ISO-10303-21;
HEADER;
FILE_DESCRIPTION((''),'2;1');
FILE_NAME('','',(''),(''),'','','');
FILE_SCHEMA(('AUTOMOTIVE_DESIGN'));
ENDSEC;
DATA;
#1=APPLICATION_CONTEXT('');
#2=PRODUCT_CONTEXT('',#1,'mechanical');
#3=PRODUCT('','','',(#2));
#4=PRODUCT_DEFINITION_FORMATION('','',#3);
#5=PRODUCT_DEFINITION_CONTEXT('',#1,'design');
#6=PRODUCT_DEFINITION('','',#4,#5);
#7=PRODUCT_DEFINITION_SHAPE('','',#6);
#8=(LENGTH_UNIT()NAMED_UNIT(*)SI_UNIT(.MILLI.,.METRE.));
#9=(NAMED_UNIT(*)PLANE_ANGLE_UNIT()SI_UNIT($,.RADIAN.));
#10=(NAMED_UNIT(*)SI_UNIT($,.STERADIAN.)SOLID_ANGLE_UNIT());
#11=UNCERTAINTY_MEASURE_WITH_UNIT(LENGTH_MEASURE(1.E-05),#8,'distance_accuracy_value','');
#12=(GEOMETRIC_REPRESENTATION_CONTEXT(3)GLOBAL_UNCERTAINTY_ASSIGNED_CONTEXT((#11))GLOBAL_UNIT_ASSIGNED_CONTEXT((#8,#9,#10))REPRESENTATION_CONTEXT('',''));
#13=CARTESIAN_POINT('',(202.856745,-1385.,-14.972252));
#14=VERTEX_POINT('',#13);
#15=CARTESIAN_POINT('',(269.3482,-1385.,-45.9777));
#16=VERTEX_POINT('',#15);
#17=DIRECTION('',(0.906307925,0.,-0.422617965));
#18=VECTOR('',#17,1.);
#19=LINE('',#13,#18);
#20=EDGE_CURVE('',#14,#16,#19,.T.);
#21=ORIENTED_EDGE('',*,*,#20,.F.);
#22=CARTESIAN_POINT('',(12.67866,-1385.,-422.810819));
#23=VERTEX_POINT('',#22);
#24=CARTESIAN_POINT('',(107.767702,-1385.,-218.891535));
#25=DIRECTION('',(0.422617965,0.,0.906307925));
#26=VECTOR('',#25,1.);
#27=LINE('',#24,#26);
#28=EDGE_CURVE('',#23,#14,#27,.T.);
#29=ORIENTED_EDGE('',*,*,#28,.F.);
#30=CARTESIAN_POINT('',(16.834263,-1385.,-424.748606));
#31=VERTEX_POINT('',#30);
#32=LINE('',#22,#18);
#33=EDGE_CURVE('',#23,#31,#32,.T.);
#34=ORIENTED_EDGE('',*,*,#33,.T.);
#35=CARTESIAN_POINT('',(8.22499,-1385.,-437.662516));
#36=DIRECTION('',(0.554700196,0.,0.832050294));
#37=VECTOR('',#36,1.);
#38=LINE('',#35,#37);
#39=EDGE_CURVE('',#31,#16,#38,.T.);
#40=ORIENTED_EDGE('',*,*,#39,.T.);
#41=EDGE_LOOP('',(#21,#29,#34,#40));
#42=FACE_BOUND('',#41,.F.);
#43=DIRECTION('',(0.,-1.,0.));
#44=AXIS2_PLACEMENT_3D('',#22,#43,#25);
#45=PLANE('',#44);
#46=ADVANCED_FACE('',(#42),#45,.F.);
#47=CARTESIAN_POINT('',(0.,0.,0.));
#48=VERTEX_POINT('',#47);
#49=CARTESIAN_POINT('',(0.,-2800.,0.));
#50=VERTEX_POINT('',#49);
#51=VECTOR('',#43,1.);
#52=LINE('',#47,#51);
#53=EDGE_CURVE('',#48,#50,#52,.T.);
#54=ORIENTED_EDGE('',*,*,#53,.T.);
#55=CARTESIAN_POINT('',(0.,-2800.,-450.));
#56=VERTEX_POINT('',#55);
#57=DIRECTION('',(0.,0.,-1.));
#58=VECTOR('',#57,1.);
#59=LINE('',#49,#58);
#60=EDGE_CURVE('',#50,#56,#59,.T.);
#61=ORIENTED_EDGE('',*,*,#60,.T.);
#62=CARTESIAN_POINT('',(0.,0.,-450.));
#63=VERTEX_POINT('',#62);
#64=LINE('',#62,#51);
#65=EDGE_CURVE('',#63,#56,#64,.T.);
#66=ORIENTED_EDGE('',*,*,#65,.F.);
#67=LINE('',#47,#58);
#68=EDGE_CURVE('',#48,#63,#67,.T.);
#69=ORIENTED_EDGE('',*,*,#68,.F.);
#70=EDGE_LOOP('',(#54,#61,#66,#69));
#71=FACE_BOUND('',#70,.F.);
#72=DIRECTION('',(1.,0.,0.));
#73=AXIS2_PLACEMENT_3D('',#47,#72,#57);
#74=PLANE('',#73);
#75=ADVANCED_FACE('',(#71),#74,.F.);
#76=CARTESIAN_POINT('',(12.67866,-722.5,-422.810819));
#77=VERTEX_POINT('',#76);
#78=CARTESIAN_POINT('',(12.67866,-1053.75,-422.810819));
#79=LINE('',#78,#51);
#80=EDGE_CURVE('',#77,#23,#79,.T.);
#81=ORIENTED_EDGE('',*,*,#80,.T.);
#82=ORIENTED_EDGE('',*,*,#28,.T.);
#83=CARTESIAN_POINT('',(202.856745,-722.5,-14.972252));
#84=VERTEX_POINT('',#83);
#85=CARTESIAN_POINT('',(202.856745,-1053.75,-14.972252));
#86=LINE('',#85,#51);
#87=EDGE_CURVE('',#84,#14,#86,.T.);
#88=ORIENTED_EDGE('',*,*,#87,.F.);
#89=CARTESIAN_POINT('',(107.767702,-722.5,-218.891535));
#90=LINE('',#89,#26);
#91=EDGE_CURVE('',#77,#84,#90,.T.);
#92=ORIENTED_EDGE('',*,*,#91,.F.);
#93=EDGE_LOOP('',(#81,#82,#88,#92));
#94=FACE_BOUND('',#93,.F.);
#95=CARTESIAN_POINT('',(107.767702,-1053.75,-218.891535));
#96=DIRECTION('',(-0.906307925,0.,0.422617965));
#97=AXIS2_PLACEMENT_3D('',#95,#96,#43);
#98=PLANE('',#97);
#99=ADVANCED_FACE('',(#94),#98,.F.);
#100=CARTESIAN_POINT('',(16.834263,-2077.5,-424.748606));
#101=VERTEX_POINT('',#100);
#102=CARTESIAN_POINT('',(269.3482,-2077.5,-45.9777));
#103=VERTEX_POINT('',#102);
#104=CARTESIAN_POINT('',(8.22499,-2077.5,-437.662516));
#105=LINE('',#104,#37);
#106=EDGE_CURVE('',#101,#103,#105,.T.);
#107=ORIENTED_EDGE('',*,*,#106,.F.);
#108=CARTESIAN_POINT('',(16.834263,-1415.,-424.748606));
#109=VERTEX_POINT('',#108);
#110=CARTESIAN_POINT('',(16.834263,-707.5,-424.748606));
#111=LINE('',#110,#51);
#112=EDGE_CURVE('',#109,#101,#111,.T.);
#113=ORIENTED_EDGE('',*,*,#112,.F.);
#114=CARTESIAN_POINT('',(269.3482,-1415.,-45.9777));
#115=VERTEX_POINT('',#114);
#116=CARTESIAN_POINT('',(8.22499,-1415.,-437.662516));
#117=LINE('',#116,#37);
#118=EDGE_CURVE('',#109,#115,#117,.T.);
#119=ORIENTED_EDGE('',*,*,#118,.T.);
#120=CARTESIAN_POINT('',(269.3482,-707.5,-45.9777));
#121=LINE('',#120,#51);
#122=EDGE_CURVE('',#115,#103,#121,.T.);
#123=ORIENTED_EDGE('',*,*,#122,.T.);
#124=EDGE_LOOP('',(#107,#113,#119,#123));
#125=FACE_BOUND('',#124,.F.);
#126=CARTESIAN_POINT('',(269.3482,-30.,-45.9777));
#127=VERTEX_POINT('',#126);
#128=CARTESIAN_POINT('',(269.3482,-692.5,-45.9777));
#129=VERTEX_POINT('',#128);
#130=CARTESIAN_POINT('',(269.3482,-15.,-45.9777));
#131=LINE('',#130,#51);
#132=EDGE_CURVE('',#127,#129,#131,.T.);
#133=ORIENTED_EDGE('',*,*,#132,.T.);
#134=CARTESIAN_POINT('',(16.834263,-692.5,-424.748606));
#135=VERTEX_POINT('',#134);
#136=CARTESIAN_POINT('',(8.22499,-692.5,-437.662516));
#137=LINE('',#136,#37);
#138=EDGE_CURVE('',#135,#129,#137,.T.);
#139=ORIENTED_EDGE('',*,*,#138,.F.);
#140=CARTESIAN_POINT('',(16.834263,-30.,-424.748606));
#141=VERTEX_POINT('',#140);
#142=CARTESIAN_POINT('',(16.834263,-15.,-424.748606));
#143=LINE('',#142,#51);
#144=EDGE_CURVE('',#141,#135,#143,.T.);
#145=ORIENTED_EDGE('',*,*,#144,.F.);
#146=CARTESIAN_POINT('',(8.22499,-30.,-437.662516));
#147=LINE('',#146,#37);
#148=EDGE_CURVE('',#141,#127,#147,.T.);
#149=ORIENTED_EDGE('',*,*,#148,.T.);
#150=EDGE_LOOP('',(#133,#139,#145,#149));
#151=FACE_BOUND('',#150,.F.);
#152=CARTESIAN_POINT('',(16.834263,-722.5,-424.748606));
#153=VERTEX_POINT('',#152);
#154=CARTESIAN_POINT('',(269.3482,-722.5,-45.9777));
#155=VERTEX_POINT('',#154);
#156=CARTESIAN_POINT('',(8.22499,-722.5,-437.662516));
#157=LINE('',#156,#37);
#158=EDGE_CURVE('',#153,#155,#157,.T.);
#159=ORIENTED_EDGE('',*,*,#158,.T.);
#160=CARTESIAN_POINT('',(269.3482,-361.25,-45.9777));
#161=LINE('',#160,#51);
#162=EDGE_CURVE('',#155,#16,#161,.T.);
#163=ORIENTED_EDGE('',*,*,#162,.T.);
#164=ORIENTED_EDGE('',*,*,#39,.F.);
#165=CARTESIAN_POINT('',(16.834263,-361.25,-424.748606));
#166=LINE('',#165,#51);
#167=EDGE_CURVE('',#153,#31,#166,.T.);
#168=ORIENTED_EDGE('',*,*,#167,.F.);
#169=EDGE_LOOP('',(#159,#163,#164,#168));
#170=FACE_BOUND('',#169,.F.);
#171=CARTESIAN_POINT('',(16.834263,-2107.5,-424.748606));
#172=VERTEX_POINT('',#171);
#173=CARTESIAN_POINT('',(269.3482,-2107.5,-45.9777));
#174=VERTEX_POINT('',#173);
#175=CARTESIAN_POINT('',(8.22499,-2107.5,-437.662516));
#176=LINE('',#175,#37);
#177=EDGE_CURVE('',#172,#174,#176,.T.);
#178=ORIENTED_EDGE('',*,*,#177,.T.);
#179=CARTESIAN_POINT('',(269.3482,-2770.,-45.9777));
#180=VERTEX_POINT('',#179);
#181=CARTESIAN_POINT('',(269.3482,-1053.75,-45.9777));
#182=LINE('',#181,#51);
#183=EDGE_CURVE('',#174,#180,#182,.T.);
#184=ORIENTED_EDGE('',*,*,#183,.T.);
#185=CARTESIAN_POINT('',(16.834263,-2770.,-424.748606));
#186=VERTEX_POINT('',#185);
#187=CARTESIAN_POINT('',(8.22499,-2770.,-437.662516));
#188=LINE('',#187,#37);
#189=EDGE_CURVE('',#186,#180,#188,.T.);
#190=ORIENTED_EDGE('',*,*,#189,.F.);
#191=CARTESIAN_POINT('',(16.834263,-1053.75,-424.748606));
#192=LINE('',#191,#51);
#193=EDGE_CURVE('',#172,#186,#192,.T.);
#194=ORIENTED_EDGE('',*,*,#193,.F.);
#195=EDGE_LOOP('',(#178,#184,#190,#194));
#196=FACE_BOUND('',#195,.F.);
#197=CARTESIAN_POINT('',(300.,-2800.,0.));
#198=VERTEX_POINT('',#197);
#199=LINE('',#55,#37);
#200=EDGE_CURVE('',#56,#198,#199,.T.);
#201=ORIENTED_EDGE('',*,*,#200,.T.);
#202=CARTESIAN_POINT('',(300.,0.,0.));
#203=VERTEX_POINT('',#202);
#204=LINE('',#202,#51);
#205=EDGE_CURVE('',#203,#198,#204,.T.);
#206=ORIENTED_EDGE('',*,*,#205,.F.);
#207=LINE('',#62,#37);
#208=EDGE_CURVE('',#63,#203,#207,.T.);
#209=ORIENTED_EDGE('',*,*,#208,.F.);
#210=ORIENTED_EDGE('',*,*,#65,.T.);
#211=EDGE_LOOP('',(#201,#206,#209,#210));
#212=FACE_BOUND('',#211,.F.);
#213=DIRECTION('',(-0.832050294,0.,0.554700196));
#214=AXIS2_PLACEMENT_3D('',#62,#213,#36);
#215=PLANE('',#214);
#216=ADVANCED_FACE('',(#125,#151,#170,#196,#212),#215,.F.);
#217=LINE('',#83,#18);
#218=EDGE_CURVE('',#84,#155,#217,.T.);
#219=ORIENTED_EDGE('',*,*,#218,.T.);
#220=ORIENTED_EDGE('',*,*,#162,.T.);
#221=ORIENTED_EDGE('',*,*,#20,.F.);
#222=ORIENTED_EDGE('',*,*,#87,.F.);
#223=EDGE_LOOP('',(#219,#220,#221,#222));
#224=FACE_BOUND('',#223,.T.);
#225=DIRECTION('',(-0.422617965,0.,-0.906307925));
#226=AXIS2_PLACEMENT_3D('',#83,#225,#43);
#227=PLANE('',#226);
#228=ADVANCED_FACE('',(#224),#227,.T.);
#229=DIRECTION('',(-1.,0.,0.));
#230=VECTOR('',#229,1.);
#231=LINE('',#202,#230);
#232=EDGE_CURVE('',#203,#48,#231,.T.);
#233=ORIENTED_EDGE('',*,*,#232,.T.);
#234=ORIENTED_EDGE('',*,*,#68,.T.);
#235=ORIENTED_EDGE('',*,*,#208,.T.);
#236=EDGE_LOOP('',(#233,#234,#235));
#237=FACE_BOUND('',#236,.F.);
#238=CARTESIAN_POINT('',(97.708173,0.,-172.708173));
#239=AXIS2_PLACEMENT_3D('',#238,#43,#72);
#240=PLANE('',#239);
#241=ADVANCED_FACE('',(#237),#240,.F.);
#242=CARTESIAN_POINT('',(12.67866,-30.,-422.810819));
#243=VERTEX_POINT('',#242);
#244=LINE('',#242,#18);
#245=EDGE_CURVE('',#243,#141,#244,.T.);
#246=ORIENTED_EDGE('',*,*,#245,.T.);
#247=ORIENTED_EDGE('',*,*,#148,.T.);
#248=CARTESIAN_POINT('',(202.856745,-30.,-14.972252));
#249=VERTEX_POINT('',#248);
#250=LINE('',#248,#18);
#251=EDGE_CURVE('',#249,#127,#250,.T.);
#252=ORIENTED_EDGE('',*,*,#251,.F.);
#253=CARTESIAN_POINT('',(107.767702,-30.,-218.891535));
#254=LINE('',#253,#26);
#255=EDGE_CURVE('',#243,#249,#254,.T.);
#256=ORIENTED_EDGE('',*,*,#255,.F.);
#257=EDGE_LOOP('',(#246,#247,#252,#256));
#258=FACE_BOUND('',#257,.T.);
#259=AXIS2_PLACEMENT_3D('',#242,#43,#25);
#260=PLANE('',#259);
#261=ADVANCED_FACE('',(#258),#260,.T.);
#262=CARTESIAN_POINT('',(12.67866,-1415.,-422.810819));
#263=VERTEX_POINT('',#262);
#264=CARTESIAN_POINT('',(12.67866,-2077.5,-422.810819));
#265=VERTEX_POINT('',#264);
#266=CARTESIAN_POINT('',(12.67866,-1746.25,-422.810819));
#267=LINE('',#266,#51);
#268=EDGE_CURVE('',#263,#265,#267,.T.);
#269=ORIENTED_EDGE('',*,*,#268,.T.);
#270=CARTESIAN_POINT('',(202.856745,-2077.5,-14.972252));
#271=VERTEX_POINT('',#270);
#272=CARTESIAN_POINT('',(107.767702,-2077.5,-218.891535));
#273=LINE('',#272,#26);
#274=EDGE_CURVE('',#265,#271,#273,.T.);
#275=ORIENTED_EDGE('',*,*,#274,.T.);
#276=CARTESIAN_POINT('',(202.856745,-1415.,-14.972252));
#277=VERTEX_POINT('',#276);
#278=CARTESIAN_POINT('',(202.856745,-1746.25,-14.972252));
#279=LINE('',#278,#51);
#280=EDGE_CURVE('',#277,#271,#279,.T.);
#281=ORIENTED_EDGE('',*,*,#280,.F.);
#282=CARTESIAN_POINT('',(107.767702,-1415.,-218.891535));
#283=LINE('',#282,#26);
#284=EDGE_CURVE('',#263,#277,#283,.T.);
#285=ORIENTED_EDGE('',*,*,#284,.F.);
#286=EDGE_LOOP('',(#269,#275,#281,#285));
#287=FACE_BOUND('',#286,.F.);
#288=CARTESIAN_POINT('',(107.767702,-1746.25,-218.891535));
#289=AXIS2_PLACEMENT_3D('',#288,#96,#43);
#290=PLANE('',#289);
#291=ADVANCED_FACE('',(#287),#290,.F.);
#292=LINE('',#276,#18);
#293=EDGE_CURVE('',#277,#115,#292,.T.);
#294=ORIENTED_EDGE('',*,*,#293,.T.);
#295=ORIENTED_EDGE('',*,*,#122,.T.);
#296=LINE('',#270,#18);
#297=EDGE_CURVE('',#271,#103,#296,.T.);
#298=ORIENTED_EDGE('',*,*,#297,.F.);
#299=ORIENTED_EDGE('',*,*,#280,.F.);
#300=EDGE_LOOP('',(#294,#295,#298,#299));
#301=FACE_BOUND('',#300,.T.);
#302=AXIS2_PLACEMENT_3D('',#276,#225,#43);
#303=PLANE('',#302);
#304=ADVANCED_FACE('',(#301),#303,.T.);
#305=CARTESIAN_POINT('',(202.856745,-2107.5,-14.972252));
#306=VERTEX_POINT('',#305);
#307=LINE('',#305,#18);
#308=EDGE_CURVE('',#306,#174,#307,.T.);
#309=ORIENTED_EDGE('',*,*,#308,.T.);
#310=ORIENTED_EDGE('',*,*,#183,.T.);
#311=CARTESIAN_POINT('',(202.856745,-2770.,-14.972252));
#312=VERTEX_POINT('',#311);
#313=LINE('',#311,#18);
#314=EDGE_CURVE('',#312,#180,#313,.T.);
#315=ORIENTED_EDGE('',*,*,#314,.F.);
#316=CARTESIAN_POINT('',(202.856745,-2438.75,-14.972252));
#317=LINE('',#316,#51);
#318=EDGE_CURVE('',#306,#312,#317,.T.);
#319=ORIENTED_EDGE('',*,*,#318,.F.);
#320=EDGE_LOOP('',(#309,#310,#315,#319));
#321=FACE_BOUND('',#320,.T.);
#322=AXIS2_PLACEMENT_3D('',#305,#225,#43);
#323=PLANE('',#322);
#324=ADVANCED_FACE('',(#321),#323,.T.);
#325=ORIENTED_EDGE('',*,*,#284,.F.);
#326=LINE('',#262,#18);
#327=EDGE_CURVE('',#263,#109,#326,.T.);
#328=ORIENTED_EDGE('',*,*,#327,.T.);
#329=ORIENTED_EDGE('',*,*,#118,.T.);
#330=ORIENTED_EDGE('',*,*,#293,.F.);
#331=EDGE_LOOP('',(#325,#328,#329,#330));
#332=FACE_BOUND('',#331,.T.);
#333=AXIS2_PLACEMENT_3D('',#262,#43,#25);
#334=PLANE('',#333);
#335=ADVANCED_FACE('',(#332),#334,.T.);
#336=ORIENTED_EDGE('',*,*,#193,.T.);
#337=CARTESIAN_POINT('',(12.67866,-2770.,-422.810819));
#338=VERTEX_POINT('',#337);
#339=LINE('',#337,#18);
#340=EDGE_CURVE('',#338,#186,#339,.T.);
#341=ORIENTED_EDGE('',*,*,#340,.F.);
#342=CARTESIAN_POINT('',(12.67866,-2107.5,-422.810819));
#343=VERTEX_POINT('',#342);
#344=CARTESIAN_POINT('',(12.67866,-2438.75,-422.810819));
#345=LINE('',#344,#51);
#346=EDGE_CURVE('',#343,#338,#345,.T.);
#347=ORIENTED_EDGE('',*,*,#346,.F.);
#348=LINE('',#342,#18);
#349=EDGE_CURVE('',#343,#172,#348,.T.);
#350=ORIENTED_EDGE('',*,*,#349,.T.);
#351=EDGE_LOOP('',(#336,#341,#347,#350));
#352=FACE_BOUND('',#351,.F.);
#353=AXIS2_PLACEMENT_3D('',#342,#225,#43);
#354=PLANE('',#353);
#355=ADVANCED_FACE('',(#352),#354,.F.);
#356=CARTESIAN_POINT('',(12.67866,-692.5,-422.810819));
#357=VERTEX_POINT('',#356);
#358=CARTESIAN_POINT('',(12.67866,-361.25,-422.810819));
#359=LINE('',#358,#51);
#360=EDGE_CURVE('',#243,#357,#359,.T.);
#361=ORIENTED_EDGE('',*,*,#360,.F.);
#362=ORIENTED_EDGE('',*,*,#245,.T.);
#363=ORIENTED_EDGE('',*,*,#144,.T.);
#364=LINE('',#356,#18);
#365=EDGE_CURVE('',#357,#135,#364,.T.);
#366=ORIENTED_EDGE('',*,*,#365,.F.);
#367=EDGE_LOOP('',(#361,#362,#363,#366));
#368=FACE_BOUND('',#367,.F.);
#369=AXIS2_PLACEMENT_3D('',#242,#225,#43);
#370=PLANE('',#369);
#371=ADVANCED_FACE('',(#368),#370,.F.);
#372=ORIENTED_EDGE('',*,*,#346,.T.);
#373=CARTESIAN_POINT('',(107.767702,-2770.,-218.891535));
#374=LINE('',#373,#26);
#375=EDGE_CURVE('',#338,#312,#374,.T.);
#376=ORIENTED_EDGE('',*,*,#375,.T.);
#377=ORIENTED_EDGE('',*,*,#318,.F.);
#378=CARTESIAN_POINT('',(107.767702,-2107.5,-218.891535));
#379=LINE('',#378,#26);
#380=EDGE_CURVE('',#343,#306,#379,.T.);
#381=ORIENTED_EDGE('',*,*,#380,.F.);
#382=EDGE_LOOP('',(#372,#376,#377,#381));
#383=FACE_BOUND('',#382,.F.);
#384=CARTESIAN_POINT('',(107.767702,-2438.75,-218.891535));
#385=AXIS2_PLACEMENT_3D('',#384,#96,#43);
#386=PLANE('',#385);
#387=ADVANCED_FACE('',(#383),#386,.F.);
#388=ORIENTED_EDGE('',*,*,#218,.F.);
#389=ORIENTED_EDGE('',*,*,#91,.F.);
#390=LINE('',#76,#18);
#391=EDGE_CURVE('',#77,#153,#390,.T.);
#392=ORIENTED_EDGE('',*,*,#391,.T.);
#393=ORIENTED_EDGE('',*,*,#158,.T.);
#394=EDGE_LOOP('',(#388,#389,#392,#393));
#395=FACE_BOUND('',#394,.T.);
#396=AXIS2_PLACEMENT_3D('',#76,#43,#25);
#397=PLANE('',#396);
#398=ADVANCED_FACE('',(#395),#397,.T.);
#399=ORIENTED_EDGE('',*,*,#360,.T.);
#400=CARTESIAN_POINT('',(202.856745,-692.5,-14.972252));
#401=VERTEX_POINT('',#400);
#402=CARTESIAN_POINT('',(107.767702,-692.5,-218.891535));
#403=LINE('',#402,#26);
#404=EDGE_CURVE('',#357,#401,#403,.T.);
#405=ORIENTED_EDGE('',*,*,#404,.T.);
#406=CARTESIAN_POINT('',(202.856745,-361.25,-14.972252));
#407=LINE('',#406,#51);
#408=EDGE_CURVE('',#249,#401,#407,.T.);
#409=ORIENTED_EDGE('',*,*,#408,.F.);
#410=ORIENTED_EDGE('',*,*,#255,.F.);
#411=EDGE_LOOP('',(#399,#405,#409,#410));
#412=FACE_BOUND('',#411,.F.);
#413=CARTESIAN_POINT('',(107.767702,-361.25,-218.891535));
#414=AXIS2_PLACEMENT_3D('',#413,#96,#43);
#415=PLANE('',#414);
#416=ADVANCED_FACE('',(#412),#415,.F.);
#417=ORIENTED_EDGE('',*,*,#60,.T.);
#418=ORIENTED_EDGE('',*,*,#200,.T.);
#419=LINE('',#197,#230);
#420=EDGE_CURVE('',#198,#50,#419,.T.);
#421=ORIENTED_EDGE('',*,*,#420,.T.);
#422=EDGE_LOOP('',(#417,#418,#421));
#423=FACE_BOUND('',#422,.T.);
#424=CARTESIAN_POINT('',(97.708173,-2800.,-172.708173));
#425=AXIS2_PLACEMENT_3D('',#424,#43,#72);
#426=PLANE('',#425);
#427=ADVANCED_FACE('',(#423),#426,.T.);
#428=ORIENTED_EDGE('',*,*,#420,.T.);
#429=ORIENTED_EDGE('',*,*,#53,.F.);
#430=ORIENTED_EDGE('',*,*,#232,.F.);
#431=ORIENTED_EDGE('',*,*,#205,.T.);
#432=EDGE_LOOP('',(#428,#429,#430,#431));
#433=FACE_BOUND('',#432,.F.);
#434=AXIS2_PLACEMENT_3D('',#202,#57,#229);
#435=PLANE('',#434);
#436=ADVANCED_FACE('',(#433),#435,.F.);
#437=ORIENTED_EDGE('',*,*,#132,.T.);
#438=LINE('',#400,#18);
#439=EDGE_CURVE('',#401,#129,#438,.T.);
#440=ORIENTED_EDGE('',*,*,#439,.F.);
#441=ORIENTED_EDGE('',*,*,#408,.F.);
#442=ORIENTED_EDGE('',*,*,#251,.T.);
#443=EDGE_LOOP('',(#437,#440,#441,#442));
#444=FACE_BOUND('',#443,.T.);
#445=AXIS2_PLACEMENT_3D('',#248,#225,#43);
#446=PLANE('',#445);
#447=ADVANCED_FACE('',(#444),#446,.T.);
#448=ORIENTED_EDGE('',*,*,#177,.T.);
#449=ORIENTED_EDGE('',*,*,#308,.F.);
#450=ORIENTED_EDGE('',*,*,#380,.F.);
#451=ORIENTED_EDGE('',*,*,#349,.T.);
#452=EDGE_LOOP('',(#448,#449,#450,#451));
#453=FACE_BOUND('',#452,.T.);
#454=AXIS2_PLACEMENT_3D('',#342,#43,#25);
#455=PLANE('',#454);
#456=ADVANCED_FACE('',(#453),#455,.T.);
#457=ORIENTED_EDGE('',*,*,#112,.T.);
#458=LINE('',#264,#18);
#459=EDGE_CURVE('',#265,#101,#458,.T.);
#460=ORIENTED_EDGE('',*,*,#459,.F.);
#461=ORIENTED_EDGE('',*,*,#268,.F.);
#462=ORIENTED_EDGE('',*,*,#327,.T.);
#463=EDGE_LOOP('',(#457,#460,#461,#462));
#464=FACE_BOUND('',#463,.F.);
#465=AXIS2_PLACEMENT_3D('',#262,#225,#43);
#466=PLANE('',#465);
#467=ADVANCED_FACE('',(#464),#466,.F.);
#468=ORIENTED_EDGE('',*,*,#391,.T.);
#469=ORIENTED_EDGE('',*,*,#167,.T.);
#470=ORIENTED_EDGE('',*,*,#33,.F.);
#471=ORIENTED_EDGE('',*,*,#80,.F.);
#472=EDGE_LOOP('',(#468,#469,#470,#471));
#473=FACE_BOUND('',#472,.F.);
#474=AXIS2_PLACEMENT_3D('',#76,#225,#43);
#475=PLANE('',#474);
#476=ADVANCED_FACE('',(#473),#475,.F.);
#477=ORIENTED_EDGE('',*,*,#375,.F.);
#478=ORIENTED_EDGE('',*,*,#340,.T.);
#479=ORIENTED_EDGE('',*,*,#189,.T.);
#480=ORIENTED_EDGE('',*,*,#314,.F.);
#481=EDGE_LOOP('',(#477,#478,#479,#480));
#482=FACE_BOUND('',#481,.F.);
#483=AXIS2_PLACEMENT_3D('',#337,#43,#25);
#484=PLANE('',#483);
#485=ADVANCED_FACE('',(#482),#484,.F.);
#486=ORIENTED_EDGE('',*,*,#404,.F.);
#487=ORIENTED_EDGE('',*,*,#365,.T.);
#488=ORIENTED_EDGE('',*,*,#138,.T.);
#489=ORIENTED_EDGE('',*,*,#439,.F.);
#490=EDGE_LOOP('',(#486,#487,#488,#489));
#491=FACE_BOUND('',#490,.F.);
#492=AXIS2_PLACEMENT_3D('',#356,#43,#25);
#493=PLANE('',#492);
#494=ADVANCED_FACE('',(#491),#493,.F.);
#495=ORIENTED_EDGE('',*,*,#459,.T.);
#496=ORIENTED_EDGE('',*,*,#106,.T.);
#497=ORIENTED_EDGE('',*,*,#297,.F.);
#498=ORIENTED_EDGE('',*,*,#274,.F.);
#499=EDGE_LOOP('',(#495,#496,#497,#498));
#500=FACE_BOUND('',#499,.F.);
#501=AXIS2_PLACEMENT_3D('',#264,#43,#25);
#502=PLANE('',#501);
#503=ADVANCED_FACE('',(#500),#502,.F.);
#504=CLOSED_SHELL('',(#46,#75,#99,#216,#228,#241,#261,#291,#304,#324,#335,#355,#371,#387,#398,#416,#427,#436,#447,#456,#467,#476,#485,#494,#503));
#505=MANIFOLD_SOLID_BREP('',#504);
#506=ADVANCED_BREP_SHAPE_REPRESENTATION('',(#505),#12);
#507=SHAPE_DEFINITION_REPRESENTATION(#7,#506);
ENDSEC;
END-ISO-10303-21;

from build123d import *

# Parameters (mm, degrees)
F1_DEPTH = 2800
F3_W     = 662.5
F3_H     = 450
F4_DEPTH = 247


with BuildPart() as f1:
    # F0 (on Front) → F1 (new body)
    with BuildSketch(Plane.XZ):
        Polygon((300, 0), (0, 0), (0, -450), align=None)
    extrude(amount=F1_DEPTH)

    # F3 (on face) → F4 (cut)
    with BuildSketch(Plane(origin=(172.36, 0, -80.372788), x_dir=(0, -1, 0), z_dir=(-0.906308, 0, 0.422618))):
        with Locations((2438.75, -152.838504)):
            Rectangle(F3_W, F3_H)
        with Locations((1746.25, -152.838504)):
            Rectangle(F3_W, F3_H)
        with Locations((1053.75, -152.838504)):
            Rectangle(F3_W, F3_H)
        with Locations((361.25, -152.838504)):
            Rectangle(F3_W, F3_H)
    extrude(amount=-F4_DEPTH, mode=Mode.SUBTRACT)


solid = f1.part
